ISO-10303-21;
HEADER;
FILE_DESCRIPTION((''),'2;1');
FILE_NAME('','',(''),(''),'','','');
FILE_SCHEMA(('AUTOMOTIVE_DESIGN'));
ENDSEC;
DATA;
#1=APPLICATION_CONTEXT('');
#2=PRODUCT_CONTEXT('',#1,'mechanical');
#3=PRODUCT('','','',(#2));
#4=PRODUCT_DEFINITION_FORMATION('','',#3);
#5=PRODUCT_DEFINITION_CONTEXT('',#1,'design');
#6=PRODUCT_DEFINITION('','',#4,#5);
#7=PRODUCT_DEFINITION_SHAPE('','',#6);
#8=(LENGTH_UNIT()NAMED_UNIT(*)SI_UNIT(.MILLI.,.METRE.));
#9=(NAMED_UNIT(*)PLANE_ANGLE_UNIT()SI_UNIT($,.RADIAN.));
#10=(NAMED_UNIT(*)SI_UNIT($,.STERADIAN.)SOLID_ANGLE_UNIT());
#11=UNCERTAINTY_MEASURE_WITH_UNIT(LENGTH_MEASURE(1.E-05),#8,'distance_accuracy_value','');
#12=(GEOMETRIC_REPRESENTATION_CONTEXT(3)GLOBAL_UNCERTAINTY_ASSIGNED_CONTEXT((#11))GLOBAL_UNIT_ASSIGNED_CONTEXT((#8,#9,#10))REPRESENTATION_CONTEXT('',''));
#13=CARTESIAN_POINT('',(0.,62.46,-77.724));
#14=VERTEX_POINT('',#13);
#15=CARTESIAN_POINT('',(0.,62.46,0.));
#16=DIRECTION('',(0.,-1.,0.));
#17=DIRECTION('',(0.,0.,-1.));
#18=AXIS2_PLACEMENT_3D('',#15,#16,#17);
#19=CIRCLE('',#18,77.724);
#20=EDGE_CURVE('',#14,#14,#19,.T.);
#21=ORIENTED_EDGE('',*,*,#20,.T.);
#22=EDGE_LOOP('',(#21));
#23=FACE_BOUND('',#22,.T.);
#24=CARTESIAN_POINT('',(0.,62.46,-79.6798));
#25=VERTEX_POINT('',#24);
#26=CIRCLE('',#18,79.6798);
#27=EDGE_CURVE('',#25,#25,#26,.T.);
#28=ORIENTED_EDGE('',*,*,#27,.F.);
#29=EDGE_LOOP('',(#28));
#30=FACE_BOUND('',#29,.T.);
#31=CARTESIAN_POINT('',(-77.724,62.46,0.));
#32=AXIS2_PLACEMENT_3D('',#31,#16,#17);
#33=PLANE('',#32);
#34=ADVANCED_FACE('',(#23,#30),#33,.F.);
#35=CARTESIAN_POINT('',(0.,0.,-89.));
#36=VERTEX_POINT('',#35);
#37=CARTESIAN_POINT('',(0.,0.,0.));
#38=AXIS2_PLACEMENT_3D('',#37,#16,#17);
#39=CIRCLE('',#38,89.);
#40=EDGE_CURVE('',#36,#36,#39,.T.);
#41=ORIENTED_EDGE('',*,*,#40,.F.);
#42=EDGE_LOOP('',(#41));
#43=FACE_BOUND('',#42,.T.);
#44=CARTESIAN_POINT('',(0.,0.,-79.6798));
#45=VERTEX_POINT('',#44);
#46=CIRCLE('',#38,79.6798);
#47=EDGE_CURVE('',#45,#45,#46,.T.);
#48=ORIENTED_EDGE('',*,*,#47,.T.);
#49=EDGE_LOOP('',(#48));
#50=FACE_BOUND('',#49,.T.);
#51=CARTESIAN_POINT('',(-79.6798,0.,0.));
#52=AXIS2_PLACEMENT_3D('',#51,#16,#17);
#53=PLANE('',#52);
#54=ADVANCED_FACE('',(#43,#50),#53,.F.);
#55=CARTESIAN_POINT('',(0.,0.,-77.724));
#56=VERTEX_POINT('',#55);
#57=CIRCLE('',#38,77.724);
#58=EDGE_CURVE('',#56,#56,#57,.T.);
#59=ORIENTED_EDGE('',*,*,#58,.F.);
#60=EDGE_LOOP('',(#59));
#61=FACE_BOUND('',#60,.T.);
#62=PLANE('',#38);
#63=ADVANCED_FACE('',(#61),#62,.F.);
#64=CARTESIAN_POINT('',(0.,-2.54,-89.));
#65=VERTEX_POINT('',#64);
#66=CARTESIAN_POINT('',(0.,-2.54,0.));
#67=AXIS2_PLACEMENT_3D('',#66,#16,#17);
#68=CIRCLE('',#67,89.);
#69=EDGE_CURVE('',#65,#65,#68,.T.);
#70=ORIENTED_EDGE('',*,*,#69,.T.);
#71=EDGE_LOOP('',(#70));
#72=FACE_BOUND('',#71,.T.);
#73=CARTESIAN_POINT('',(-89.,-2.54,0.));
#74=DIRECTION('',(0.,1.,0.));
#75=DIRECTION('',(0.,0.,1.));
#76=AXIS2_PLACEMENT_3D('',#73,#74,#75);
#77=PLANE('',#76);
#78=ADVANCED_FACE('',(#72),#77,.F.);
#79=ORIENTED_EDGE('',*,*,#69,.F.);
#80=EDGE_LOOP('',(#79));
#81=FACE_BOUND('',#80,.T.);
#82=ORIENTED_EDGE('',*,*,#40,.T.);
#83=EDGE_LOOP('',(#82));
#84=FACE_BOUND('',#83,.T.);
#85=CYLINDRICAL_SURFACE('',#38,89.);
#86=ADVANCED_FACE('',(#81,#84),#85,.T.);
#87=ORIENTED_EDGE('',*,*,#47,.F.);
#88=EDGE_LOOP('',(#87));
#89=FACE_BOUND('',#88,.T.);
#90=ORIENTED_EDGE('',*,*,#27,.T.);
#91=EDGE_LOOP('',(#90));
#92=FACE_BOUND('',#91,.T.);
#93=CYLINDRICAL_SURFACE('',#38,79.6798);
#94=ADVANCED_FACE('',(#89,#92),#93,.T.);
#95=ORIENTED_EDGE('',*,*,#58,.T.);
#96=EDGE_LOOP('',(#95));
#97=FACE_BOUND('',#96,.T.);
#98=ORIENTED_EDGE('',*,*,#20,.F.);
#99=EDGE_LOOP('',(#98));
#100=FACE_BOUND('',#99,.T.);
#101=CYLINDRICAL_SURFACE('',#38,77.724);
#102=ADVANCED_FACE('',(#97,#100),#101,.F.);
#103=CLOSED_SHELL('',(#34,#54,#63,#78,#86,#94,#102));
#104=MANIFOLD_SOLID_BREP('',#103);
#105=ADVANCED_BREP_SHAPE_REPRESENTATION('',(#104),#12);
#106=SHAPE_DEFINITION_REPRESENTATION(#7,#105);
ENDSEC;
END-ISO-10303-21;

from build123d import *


with BuildPart() as part:
    # Croquis1 → Revolución1 (revolve)
    with BuildSketch(Plane.XY, mode=Mode.PRIVATE) as revoluci_n1_sk:
        Polygon((-77.724, 62.46), (-77.724, 0), (0, 0), (0, -2.54), (-89, -2.54), (-89, 0), (-79.6798, 0), (-79.6798, 62.46), align=None)
    revolve(revoluci_n1_sk.sketch.rotate(Axis((0, 0, 0), (0, 1, 0)), 270), axis=Axis((0, 0, 0), (0, 1, 0)))


solid = part.part
